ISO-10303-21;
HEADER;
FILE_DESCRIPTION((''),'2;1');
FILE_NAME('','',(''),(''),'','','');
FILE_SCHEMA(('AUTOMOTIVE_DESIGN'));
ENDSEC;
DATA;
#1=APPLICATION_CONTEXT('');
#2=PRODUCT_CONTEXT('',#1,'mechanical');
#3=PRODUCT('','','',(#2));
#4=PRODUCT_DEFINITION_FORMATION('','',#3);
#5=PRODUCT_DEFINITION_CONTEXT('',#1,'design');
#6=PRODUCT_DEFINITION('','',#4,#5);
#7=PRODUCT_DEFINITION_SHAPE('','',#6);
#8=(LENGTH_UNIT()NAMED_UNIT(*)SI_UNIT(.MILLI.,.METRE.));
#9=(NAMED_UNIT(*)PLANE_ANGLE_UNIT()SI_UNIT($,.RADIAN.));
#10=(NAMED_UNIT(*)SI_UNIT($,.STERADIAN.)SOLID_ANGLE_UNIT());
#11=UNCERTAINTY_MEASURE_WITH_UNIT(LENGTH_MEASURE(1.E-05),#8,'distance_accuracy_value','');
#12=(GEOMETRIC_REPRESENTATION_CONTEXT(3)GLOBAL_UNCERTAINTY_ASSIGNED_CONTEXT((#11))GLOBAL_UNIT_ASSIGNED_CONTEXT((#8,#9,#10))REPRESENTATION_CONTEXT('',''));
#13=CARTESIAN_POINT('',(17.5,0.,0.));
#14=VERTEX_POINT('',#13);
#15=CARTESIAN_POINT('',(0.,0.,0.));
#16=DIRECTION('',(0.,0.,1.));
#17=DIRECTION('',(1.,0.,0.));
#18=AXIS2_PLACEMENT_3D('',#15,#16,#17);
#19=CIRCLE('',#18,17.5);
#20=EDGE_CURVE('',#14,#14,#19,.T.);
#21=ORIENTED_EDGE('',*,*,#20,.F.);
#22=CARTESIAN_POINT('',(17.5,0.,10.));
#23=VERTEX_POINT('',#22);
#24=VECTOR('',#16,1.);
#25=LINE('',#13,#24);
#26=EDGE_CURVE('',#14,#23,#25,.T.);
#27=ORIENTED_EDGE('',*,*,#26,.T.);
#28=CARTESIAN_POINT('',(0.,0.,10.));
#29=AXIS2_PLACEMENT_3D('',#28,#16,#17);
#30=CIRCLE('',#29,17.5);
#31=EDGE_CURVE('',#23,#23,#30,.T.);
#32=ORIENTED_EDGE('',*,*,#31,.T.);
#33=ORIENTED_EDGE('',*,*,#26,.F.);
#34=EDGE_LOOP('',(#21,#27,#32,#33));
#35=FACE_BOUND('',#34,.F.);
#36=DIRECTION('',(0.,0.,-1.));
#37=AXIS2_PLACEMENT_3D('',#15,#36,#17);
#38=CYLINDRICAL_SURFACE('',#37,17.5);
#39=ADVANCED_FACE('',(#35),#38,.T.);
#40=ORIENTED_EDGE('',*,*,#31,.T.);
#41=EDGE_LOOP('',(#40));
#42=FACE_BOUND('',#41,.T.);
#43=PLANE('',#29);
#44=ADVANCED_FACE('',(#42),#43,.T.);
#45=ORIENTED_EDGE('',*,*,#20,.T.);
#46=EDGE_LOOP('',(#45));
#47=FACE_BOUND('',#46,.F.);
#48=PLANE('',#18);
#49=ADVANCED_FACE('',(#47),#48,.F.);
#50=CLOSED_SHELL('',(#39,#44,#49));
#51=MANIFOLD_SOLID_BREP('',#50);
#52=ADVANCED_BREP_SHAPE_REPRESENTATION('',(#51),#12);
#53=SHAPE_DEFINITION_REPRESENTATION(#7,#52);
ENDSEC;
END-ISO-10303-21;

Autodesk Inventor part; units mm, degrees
ref_plane "YZ Plane" through (0, 0, 0) normal (1, 0, 0) x (0, 1, 0)
ref_plane "XZ Plane" through (0, 0, 0) normal (0, 1, 0) x (-1, 0, 0)
ref_plane "XY Plane" through (0, 0, 0) normal (0, 0, 1) x (1, 0, 0)
sketch "Sketch1" plane through (0, 0, 0) normal (0, 0, 1) x (1, 0, 0)
  circle A0 centre (0, 0) radius 17.5
  dimension "d0" = 35
extrude "Extrusion1" add sketch "Sketch1" along normal blind 10
sketch "Sketch2" plane through (0, 0, 10) normal (0, 0, 1) x (1, 0, 0)
  circle A0 centre (0, 0) radius 12
  line L0 (0, 12) -> (0, 15)
  line L1 (0, 15) -> (-4, 15)
  line L2 (0, 15) -> (4, 15)
  line L3 (4, 15) -> (4, 11.3137)
  line L4 (-4, 15) -> (-4, 11.3137)
  dimension "d3" = 24
  dimension "d4" = 3
  dimension "d5" = 4
  dimension "d6" = 4
  dimension "d7" = 4
properties part number "EndEffectorMotorAdapterV2"
